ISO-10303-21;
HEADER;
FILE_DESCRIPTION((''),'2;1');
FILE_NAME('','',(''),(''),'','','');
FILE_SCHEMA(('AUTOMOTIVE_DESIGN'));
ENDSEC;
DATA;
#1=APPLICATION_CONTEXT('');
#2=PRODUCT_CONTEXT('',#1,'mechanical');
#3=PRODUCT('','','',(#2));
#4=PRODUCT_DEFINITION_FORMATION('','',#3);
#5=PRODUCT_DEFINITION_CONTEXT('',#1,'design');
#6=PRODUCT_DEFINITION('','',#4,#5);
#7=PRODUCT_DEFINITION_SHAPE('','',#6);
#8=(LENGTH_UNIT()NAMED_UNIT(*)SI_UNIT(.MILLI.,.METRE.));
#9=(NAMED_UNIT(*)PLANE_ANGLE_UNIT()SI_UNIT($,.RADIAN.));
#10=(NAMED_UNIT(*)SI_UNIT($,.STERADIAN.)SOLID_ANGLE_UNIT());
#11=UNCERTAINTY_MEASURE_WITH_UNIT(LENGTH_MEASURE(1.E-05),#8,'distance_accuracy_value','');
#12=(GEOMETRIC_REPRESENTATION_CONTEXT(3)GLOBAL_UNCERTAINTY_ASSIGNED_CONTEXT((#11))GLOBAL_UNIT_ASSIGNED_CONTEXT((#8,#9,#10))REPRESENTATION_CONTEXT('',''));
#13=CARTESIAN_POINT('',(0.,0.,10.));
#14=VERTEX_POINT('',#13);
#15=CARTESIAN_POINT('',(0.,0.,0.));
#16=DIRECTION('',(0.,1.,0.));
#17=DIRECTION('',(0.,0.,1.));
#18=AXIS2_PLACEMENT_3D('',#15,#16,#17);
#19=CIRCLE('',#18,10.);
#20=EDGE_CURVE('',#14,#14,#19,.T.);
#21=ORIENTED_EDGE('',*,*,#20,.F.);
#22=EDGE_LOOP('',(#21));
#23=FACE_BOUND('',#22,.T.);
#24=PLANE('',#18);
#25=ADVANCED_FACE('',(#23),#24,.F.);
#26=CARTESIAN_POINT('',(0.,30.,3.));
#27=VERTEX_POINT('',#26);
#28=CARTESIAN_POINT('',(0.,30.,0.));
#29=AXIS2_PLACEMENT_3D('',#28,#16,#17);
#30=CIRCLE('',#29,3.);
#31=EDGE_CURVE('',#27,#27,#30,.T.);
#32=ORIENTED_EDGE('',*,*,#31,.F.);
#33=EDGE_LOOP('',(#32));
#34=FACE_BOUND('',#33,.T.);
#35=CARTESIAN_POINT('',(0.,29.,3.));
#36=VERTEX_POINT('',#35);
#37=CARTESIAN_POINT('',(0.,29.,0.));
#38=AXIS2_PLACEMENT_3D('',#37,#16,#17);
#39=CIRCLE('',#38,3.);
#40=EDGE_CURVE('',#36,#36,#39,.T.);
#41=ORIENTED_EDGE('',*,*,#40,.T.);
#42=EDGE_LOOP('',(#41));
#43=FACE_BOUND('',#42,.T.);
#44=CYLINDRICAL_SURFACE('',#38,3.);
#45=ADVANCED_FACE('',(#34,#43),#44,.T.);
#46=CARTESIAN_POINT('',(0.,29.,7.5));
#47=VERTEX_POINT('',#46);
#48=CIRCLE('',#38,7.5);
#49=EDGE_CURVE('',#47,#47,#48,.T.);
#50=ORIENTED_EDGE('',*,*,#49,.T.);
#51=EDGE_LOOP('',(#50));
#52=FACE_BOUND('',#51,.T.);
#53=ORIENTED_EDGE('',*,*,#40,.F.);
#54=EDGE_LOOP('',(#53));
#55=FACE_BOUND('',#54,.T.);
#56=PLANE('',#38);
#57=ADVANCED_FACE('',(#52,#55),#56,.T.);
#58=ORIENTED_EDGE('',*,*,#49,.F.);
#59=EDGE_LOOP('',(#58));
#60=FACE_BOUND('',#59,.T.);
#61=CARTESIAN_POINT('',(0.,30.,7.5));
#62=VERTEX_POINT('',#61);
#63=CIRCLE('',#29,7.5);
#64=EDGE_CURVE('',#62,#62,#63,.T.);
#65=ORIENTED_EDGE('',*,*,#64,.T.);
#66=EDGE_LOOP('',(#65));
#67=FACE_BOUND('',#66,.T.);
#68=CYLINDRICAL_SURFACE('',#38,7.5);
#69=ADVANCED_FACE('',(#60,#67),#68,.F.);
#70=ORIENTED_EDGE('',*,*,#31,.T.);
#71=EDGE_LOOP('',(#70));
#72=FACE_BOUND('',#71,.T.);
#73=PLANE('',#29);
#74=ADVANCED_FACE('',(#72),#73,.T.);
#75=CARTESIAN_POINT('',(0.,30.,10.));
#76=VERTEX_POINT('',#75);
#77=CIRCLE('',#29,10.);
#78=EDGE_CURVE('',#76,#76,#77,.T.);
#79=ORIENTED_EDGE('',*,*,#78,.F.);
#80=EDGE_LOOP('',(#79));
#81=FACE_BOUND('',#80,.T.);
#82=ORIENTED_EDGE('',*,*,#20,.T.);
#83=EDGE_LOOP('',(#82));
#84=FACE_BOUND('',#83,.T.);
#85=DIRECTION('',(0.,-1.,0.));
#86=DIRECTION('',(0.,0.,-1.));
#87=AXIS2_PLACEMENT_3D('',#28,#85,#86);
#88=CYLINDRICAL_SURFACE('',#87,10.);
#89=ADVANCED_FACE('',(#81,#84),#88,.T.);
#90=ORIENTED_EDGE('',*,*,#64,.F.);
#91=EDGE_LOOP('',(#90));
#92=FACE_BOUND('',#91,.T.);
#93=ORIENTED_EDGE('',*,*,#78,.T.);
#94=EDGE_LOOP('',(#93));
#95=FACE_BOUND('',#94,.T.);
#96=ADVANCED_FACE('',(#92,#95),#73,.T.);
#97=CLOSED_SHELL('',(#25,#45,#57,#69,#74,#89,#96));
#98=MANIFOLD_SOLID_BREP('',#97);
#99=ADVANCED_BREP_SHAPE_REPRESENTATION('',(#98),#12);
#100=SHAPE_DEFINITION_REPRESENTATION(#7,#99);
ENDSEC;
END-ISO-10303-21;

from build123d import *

# Parameters (mm, degrees)
SKETCH1_R           = 10
BOSS_EXTRUDE1_DEPTH = 30
SKETCH2_R           = 7.5
SKETCH2_R_2         = 3
CUT_EXTRUDE1_DEPTH  = 1


with BuildPart() as part:
    # Sketch1 → Boss-Extrude1 (new body)
    with BuildSketch(Plane(origin=(0, 0, 0), x_dir=(1, 0, 0), z_dir=(0, 1, 0))):
        with Locations(Location((0, 0, 0), (0, 0, 270))):
            Circle(SKETCH1_R)
    extrude(amount=BOSS_EXTRUDE1_DEPTH)

    # Sketch2 → Cut-Extrude1 (cut)
    with BuildSketch(Plane(origin=(0, 30, 0), x_dir=(1, 0, 0), z_dir=(0, 1, 0))):
        with Locations(Location((0, 0, 0), (0, 0, 270))):
            Circle(SKETCH2_R)
        with Locations(Location((0, 0, 0), (0, 0, 270))):
            Circle(SKETCH2_R_2, mode=Mode.SUBTRACT)
    extrude(amount=-CUT_EXTRUDE1_DEPTH, mode=Mode.SUBTRACT)


solid = part.part
